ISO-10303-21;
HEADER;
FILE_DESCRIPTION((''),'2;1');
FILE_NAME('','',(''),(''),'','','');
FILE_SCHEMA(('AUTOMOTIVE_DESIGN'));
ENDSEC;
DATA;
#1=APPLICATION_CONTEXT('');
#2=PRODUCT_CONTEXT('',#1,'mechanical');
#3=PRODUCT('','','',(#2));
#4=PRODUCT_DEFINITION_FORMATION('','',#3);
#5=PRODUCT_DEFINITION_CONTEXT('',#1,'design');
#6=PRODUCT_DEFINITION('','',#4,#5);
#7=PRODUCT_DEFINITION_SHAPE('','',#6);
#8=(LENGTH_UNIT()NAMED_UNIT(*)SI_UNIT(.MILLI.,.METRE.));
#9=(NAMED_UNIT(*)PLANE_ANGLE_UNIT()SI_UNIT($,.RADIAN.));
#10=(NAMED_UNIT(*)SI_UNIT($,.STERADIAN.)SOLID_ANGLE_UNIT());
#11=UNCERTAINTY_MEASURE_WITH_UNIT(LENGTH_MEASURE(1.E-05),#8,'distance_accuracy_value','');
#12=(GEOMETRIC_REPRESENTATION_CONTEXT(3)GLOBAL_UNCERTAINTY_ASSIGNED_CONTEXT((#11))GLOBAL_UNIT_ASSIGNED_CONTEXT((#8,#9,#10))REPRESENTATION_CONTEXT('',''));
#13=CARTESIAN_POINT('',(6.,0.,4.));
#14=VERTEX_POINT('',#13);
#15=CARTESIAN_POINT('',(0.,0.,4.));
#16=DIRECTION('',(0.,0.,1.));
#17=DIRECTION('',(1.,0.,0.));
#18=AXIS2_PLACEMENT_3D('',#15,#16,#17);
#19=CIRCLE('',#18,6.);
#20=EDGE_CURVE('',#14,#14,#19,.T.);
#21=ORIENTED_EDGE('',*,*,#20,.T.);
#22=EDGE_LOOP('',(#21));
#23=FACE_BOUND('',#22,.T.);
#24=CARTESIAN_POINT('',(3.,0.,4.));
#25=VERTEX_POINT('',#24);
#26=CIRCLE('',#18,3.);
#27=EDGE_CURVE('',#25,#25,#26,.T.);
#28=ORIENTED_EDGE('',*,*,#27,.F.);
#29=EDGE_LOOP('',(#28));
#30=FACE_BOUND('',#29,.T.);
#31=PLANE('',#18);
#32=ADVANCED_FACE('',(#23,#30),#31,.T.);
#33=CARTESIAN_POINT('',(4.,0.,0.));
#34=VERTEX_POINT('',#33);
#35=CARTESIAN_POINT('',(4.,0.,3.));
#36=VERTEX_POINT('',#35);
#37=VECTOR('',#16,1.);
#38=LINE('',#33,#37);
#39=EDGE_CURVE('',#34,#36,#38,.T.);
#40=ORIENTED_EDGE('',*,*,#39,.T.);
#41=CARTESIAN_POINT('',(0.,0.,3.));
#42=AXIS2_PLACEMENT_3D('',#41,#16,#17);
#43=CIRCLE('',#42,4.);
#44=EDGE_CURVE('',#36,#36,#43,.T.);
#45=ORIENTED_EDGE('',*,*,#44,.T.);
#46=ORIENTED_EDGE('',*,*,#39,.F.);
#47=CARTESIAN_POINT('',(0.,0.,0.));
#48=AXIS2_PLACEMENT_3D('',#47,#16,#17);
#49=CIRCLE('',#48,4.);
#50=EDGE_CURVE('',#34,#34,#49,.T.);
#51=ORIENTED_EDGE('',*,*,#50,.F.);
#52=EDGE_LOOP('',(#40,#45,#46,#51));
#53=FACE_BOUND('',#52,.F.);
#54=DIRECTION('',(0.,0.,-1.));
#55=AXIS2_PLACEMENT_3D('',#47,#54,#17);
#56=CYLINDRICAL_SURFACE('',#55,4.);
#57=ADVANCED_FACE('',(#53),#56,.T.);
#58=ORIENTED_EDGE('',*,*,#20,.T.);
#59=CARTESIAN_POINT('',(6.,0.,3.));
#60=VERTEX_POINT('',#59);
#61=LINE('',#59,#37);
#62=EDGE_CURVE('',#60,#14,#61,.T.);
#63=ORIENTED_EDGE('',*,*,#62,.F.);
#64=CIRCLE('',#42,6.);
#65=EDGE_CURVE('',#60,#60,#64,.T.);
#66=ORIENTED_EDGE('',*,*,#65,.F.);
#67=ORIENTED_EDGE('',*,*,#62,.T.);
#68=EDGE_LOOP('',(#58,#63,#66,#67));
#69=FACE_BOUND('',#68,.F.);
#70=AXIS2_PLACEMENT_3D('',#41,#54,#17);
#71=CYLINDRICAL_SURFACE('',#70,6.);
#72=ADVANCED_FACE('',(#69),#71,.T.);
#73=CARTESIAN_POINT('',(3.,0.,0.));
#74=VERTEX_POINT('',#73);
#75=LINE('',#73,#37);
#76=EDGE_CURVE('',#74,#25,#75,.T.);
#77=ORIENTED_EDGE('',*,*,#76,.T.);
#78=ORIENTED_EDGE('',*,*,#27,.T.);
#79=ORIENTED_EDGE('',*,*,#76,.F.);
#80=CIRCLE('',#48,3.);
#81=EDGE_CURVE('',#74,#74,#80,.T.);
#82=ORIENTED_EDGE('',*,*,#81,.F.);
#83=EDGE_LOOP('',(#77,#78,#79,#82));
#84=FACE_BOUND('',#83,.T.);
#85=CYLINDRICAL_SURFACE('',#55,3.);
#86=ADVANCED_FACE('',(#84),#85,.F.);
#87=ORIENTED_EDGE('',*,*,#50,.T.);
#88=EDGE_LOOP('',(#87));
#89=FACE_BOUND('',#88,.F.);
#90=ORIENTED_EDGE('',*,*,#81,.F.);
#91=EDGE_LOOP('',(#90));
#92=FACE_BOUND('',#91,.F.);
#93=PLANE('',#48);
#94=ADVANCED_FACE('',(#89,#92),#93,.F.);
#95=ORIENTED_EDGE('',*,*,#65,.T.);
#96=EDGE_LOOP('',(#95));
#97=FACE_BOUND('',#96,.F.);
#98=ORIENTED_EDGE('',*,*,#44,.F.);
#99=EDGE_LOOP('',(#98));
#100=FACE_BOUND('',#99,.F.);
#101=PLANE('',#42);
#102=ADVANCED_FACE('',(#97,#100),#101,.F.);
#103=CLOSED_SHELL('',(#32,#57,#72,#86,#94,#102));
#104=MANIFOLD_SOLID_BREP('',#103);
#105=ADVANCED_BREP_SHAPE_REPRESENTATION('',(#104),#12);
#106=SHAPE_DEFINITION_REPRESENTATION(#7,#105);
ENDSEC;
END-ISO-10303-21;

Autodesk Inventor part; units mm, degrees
ref_plane "YZ Plane" through (0, 0, 0) normal (1, 0, 0) x (0, 1, 0)
ref_plane "XZ Plane" through (0, 0, 0) normal (0, 1, 0) x (-1, 0, 0)
ref_plane "XY Plane" through (0, 0, 0) normal (0, 0, 1) x (1, 0, 0)
sketch "スケッチ1" plane through (0, 0, 0) normal (0, 0, 1) x (1, 0, 0)
  circle A0 centre (0, 0) radius 3
  circle A1 centre (0, 0) radius 4
  dimension "d0" = 6
  dimension "d1" = 8
extrude "押し出し1" add sketch "スケッチ1" along normal blind 3
sketch "スケッチ2" plane through (0, 0, 3) normal (0, 0, 1) x (1, 0, 0)
  circle A0 centre (0, 0) radius 6
  circle A1 centre (0, 0) radius 3 projected
  dimension "d4" = 12
extrude "押し出し2" add sketch "スケッチ2" along normal blind 1
properties part number "オイレスフランジ付き06080312" material "アセタール樹脂、黒"
